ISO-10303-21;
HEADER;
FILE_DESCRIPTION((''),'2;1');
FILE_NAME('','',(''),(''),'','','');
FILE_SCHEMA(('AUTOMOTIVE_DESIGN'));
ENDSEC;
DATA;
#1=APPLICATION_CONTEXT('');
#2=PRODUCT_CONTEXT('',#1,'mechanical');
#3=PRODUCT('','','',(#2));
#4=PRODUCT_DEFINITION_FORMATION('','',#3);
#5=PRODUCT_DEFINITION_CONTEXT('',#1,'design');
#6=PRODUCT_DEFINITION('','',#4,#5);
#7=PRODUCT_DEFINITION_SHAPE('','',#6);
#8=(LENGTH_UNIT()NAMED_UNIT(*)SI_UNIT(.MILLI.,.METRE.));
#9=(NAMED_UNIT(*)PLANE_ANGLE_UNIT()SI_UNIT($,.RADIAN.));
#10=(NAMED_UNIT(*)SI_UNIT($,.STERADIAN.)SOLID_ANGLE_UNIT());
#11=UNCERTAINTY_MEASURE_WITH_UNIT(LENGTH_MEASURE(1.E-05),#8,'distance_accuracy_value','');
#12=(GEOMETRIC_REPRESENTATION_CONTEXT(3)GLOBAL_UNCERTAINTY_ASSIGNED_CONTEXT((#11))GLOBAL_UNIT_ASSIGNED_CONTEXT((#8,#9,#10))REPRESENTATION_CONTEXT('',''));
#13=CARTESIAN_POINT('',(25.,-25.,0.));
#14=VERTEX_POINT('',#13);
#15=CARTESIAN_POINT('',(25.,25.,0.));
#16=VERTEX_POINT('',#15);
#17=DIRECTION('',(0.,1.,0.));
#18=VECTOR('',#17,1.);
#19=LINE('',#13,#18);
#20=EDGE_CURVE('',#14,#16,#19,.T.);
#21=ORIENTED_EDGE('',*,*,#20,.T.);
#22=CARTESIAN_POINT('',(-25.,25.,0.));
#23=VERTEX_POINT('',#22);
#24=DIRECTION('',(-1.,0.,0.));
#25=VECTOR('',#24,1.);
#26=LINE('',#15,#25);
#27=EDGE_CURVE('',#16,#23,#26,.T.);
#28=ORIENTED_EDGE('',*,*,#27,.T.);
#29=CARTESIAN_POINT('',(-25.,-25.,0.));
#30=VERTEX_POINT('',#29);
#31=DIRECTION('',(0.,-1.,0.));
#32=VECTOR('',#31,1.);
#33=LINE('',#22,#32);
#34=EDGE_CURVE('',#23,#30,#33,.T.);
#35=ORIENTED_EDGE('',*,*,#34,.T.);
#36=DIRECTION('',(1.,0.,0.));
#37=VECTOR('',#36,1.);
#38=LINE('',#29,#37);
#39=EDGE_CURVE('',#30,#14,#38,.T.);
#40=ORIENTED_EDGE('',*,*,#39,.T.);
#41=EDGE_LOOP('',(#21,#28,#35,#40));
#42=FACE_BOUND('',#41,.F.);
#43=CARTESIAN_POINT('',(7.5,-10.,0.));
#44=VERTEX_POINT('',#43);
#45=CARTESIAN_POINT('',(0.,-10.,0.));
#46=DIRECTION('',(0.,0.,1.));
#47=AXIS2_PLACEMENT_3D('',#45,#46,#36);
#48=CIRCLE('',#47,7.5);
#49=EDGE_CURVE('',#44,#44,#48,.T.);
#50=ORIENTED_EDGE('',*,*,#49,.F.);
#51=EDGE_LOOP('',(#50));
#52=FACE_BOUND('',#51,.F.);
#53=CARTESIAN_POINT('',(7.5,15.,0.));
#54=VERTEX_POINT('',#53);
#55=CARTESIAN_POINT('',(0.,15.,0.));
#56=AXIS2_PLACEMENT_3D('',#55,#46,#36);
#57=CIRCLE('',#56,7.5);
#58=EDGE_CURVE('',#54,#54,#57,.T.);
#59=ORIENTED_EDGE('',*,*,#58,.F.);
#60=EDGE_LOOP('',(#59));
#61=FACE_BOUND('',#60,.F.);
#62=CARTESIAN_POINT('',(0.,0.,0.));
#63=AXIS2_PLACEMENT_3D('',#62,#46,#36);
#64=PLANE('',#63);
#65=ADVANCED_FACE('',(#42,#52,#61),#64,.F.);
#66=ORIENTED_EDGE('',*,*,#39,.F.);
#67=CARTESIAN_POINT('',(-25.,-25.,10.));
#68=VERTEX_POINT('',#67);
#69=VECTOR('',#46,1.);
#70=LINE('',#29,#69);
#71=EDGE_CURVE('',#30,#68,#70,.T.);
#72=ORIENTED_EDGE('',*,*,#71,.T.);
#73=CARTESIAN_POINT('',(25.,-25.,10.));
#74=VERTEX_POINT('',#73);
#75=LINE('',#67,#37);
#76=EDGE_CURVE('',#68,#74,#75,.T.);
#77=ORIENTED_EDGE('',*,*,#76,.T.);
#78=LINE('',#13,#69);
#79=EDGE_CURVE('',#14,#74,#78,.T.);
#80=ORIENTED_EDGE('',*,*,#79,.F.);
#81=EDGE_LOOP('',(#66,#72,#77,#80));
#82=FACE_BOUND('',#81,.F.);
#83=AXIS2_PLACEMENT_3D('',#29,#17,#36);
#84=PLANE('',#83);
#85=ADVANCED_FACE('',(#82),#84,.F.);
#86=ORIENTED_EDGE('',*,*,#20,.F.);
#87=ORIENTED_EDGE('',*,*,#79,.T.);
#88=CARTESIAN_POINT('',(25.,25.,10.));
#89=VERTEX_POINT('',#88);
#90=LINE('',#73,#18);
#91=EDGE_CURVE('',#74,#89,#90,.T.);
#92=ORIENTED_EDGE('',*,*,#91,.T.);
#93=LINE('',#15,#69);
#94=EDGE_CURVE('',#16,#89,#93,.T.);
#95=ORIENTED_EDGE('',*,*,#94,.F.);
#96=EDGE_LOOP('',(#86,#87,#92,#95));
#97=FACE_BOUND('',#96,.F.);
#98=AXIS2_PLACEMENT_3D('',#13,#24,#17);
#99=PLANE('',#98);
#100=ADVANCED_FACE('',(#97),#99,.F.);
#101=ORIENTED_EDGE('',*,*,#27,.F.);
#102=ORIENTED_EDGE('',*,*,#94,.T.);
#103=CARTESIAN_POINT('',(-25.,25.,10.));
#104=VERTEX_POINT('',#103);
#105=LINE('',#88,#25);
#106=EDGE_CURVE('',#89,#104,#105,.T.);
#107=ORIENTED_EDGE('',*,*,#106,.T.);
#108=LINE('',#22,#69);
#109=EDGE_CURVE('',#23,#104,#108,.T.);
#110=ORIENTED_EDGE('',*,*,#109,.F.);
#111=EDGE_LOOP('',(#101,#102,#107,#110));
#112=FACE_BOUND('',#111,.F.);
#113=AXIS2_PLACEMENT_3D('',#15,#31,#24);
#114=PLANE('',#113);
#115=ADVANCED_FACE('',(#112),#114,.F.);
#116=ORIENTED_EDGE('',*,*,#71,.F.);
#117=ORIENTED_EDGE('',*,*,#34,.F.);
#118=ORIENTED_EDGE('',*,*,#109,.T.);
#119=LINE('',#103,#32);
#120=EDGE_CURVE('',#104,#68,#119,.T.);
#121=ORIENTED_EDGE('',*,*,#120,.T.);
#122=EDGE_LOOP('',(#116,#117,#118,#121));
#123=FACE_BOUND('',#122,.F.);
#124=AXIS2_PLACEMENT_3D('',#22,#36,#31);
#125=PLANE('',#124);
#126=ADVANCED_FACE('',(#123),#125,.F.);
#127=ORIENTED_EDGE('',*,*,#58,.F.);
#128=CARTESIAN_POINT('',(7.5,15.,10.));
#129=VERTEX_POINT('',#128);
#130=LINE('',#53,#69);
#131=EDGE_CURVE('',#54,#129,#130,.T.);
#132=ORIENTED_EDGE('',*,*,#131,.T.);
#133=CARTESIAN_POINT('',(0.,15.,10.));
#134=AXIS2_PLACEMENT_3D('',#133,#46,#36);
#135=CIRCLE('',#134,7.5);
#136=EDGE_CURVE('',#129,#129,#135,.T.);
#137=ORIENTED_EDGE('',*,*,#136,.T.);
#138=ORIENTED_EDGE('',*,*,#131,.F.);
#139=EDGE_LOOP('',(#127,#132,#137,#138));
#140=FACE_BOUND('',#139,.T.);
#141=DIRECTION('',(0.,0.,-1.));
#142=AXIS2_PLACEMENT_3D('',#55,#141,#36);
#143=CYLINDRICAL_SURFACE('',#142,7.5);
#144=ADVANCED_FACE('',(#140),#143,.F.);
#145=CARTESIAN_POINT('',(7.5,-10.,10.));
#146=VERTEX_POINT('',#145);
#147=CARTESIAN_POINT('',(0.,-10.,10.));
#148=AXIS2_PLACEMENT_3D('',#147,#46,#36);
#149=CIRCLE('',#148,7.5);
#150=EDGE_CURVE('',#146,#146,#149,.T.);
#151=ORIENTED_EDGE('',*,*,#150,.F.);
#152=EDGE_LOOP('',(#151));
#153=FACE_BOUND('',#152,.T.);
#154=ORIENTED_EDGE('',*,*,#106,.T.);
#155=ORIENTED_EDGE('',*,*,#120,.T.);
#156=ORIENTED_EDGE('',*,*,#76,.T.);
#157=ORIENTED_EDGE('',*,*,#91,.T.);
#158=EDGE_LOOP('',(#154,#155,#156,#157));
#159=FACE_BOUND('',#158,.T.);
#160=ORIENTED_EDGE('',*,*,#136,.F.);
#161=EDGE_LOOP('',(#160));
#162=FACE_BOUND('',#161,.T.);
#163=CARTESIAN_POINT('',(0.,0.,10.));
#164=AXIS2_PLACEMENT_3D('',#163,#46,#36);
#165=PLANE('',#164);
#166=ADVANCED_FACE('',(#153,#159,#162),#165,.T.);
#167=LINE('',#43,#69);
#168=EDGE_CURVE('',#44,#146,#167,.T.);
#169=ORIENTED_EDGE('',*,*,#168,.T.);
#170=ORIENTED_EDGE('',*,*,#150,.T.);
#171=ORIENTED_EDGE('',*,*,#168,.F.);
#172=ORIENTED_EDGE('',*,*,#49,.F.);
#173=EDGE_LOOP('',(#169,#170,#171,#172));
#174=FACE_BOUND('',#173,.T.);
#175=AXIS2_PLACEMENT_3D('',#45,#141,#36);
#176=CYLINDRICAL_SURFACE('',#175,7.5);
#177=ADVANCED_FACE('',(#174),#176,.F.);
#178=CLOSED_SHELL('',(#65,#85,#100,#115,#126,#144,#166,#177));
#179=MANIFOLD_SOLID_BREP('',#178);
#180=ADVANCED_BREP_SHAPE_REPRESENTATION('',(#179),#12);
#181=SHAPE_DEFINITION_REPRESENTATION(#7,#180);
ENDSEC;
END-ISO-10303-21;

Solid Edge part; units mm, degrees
sketch "Sketch1" plane through (0, 0, 0) normal (0, 0, 1) x (1, 0, 0)
  circle A0 centre (0, 15) radius 7.5
  circle A1 centre (0, -10) radius 7.5
  line L0 (25, 25) -> (-25, 25)
  line L1 (-25, 25) -> (-25, -25)
  line L2 (-25, -25) -> (25, -25)
  line L3 (25, -25) -> (25, 25)
  dimension "D1" = 25
  dimension "D2" = 50
  dimension "D3" = 15
  dimension "D4" = 50
  dimension "D5" = 15
extrude "Protrusion1" add sketch "Sketch1" along normal blind 10
